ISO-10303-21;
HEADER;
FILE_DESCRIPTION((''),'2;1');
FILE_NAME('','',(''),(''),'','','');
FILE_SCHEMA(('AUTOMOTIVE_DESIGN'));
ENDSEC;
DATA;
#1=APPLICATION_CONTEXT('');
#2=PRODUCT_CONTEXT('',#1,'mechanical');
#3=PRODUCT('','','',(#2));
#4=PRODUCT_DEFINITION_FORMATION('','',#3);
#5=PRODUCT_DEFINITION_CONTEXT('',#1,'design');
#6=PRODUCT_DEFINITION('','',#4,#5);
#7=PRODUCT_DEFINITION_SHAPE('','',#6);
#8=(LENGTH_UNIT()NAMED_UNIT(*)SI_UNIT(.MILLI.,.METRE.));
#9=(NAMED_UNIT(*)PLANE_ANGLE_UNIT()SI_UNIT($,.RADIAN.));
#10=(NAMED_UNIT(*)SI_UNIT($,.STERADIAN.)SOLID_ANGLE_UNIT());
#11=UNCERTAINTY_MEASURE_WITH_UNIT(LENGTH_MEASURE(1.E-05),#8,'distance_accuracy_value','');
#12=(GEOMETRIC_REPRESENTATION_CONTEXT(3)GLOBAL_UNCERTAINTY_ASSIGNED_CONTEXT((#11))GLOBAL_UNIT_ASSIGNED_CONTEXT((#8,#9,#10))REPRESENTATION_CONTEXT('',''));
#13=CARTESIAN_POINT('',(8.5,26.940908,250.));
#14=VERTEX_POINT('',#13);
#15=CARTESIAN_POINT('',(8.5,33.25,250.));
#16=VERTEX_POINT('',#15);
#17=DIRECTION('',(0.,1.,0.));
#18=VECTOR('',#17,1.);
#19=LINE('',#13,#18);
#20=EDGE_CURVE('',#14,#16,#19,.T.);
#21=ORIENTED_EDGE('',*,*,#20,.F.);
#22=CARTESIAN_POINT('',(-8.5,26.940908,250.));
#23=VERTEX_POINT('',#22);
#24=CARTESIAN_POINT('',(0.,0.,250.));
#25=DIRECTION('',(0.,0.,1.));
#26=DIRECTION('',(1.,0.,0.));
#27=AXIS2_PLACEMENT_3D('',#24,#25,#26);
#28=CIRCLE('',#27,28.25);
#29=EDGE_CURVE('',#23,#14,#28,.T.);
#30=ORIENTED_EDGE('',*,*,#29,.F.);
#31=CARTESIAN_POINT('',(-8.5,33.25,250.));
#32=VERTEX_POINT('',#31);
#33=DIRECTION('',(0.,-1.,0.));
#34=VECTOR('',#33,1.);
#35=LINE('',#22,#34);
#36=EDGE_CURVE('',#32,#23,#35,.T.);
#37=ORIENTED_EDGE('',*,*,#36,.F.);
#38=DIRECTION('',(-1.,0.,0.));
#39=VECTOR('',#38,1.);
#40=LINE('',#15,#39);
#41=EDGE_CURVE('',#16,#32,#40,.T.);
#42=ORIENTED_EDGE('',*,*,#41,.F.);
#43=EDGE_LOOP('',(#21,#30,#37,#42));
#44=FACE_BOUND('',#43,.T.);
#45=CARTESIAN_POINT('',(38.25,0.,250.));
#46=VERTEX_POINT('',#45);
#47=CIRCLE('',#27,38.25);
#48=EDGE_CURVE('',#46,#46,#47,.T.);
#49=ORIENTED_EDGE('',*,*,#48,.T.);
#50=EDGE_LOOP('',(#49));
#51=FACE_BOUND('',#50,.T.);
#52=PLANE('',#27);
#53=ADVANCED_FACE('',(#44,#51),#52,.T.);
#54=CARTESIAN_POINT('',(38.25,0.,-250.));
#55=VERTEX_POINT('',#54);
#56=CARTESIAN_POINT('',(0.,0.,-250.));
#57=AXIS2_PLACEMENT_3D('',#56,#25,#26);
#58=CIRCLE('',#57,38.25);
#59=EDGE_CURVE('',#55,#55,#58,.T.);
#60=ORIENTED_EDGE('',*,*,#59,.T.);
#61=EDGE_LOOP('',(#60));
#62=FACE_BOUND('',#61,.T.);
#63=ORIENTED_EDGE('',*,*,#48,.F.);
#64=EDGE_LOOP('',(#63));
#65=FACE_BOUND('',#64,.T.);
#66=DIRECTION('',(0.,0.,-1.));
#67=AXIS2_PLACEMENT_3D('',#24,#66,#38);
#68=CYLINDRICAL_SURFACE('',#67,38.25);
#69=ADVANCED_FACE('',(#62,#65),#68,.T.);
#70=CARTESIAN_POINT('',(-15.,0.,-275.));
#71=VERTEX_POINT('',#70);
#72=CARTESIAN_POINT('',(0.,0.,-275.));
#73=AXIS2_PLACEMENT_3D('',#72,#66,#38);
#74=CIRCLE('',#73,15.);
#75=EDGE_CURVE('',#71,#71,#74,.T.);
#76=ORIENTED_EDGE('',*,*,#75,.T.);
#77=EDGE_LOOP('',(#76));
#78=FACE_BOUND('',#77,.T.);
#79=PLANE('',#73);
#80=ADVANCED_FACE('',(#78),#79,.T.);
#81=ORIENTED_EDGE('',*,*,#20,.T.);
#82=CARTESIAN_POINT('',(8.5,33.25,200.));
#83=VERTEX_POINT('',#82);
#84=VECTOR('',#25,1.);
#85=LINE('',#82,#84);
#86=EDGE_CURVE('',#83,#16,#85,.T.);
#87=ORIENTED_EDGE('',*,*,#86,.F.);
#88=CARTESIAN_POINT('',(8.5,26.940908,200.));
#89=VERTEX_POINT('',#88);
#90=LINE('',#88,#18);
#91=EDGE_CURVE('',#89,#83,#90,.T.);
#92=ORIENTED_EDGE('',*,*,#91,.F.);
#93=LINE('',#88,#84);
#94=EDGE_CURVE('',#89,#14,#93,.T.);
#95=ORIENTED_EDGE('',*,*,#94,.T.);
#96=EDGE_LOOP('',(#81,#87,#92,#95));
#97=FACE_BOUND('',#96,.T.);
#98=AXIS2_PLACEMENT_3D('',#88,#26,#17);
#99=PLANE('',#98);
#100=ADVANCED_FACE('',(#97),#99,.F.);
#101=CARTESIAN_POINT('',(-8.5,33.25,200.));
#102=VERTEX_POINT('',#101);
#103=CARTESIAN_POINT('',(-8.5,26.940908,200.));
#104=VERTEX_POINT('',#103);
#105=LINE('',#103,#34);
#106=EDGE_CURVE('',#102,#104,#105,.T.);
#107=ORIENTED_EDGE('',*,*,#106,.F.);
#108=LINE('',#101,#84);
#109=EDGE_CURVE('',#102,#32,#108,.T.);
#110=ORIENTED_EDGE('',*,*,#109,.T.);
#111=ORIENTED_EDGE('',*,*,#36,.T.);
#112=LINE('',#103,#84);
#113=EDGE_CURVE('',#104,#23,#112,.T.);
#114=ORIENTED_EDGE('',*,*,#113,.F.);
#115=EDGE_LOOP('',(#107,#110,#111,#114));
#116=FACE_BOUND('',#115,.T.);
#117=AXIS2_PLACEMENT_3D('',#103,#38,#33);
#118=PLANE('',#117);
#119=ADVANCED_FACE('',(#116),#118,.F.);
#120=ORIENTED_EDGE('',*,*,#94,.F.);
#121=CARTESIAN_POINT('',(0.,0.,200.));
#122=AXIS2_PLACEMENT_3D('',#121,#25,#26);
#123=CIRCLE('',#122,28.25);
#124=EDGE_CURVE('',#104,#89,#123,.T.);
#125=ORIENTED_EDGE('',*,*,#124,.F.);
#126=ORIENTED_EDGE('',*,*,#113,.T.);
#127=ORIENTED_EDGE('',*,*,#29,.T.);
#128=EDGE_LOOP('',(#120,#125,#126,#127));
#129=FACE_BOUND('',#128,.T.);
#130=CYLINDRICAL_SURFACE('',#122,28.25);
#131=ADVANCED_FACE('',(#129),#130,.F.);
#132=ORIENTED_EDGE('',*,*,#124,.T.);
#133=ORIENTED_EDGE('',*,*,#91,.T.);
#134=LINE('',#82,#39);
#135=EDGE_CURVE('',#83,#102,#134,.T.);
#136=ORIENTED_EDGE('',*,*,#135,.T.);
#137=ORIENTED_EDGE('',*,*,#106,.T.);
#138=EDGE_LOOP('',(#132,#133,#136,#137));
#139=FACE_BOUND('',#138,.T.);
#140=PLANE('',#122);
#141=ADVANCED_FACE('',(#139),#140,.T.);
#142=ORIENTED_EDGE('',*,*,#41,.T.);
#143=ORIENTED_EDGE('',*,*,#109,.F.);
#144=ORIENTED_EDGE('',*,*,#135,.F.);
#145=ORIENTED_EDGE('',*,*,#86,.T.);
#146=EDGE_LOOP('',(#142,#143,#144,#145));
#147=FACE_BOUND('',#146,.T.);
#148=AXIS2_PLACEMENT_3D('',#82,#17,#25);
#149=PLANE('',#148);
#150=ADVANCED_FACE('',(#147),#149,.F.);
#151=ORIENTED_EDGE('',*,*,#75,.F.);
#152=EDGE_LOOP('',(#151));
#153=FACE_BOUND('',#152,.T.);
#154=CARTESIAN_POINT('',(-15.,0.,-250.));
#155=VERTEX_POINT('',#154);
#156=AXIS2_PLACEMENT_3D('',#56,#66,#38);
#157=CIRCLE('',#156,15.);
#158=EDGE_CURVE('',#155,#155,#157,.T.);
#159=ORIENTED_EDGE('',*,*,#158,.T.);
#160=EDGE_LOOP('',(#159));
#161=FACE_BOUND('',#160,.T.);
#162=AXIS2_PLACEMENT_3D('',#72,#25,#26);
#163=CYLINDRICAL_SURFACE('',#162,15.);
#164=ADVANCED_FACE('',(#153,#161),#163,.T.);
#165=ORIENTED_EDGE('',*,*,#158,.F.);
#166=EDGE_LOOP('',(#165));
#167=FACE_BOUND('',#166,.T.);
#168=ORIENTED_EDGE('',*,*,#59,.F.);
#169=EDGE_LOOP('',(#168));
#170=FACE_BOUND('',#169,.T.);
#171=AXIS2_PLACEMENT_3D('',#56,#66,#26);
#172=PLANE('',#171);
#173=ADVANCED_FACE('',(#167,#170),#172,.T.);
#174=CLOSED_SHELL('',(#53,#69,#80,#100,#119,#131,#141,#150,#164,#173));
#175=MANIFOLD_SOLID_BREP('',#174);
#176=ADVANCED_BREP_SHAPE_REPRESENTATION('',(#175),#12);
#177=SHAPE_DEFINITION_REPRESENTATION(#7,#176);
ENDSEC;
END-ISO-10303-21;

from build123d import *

# Parameters (mm, degrees)
SKETCH1_R           = 38.25
BOSS_EXTRUDE1_DEPTH = 250
CUT_EXTRUDE2_DEPTH  = 50
SKETCH4_R           = 35
SKETCH4_R_2         = 15
BOSS_EXTRUDE2_DEPTH = 50
BOSS_EXTRUDE3_START = 75
SKETCH5_R           = 15
BOSS_EXTRUDE3_DEPTH = 75


with BuildPart() as part:
    # Sketch1 → Boss-Extrude1 (new body)
    with BuildSketch(Plane.XY):
        Circle(SKETCH1_R)
    boss_extrude1 = extrude(amount=BOSS_EXTRUDE1_DEPTH)

    # Sketch3 → Cut-Extrude2 (cut)
    with BuildSketch(Plane.XY.offset(250)):
        with BuildLine():
            Line((-8.5, 26.940907557), (-8.5, 33.25))
            Line((-8.5, 33.25), (8.5, 33.25))
            Line((8.5, 33.25), (8.5, 26.940907557))
            ThreePointArc((8.5, 26.940907557), (0, -28.25), (-8.5, 26.940907557))
        make_face()
    cut_extrude2 = extrude(amount=-CUT_EXTRUDE2_DEPTH, mode=Mode.SUBTRACT)

    # Mirror1: Boss-Extrude1, Cut-Extrude2 across plane
    add(boss_extrude1.mirror(Plane.XY))
    add(cut_extrude2.mirror(Plane.XY), mode=Mode.SUBTRACT)

    # Sketch4 → Boss-Extrude2 (add)
    with BuildSketch(Plane(origin=(0, 0, -250), x_dir=(-1, 0, 0), z_dir=(0, 0, -1))):
        Circle(SKETCH4_R)
        Circle(SKETCH4_R_2, mode=Mode.SUBTRACT)
    extrude(amount=-BOSS_EXTRUDE2_DEPTH)

    # Sketch5 → Boss-Extrude3 (add)
    with BuildSketch(Plane(origin=(0, 0, -200), x_dir=(-1, 0, 0), z_dir=(0, 0, -1)).offset(BOSS_EXTRUDE3_START)):
        Circle(SKETCH5_R)
    extrude(amount=-BOSS_EXTRUDE3_DEPTH)


solid = part.part
